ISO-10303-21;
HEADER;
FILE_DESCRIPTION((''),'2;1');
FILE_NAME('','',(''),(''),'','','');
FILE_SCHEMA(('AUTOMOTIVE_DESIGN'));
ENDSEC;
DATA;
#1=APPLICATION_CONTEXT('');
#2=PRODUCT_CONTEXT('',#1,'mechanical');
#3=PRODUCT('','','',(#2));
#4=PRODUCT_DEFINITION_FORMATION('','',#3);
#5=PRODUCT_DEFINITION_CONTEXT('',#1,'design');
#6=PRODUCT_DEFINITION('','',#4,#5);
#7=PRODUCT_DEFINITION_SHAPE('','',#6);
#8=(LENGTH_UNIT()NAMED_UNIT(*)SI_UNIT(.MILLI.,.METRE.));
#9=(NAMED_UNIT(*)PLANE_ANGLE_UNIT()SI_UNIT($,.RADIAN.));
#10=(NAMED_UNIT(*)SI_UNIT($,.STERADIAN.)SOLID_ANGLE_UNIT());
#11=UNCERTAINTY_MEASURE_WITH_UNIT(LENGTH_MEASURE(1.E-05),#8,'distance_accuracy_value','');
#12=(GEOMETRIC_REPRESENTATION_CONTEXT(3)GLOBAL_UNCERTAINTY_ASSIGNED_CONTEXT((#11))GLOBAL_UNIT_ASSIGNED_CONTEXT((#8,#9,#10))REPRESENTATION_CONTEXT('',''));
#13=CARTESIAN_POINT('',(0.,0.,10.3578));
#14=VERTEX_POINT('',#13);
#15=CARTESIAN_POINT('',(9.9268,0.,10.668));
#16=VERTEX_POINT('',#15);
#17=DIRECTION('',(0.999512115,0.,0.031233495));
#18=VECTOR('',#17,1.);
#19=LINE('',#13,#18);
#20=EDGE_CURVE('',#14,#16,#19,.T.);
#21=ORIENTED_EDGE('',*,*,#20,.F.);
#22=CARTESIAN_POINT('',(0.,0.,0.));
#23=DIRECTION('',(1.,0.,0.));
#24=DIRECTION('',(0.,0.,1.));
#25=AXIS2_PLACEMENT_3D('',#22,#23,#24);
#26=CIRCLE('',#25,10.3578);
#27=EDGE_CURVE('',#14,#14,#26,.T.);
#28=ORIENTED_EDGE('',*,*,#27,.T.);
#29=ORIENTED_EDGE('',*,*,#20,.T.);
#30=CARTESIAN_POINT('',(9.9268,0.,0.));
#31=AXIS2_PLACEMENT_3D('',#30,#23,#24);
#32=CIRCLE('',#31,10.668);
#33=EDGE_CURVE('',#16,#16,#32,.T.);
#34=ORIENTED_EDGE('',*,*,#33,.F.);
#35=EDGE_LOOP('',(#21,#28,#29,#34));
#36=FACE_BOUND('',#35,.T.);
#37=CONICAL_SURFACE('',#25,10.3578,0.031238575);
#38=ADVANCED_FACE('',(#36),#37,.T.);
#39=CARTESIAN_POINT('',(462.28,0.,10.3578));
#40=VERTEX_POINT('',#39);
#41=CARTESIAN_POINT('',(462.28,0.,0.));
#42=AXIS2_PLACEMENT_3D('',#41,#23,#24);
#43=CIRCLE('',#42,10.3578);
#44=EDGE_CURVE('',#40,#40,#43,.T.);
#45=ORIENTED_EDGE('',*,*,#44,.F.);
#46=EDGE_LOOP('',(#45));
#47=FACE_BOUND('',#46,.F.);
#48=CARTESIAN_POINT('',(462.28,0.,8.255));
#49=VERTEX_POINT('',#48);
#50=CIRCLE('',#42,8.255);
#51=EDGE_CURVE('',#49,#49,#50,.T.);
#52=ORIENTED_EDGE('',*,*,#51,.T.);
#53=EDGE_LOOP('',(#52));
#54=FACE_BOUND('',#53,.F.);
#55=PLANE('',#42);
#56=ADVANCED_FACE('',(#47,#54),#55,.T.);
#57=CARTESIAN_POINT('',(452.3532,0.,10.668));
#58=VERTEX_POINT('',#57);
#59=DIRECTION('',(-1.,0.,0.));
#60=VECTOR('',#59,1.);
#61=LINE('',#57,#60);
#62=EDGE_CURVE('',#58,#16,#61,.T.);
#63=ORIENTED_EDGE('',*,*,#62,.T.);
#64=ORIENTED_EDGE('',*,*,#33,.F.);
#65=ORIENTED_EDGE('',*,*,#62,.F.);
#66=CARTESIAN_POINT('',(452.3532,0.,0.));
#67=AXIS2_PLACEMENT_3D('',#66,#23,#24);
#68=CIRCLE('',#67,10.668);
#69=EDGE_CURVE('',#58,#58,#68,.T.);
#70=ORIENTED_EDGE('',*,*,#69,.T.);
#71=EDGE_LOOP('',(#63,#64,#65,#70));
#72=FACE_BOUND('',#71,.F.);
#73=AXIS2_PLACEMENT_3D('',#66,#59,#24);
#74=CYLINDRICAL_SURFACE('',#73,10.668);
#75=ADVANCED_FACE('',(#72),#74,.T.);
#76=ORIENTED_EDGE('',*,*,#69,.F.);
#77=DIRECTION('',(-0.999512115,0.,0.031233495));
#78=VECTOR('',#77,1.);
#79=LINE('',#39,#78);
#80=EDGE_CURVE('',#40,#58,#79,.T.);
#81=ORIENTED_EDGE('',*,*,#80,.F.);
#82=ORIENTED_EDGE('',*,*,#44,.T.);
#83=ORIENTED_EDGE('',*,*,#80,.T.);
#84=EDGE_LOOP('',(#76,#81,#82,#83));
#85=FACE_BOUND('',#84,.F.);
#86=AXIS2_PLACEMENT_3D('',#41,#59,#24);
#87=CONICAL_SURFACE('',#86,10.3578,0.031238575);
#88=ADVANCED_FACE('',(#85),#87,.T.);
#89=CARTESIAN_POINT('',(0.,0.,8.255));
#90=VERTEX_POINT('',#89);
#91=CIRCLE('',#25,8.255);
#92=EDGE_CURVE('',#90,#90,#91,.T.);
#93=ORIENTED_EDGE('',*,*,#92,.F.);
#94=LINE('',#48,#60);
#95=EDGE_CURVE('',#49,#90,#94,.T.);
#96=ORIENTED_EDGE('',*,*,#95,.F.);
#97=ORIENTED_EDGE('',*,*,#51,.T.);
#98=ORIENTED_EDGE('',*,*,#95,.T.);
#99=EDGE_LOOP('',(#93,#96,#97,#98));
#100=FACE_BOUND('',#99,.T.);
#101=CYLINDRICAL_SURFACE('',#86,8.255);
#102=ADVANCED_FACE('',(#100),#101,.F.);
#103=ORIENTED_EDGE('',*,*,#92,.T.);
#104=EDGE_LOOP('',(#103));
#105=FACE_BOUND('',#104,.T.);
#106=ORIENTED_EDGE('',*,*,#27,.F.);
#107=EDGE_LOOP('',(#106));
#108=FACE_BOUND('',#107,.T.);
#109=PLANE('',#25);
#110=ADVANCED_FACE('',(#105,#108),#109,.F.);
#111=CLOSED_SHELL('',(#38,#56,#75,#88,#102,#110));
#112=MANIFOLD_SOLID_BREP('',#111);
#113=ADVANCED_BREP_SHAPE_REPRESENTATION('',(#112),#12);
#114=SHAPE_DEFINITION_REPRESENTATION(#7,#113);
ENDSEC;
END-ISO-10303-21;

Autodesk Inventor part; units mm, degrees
ref_plane "YZ Plane" through (0, 0, 0) normal (1, 0, 0) x (0, 1, 0)
ref_plane "XZ Plane" through (0, 0, 0) normal (0, 1, 0) x (-1, 0, 0)
ref_plane "XY Plane" through (0, 0, 0) normal (0, 0, 1) x (1, 0, 0)
sketch "Sketch1" plane through (0, 0, 0) normal (0, 1, 0) x (-1, 0, 0)
  line L0 (0, 0) -> (-462.28, 0)
  line L1 (-462.28, 0) -> (-462.28, 8.255) construction
  line L2 (-462.28, 8.255) -> (-462.28, 10.3578)
  line L3 (-462.28, 10.3578) -> (-452.3532, 10.668)
  line L4 (-452.3532, 10.668) -> (-9.9268, 10.668)
  line L5 (-231.14, 0) -> (-231.14, 10.668) construction
  line L6 (-462.28, 8.255) -> (0, 8.255)
  line L7 (0, 0) -> (0, 8.255) construction
  line L8 (0, 8.255) -> (0, 10.3578)
  line L9 (0, 10.3578) -> (-9.9268, 10.668)
  line L10 (-448.724, 10.7814) -> (-448.724, 0) construction
  line L11 (-13.556, 10.7814) -> (-13.556, 0) construction
  line L12 (-452.3532, 10.668) -> (-448.724, 10.7814) construction
  line L13 (-452.3532, 10.668) -> (-452.3532, 0) construction
  line L14 (-9.9268, 10.668) -> (-13.556, 10.7814) construction
  line L15 (-9.9268, 10.668) -> (-9.9268, 0) construction
  dimension "d0" = 21.336
  dimension "d1" = 1.79
  dimension "d2" = 16.51
  dimension "d3" = 462.28
  dimension "d4" = 13.556
  dimension "d5" = 21.5628
revolve "Revolution1" add sketch "Sketch1" angle 360 about axis through (0, 0, 0) along (1, 0, 0)
thread "Thread1" size "1/2" designation "1/2 - 14 NPT" standard "NPT" full length
thread "Thread2" size "1/2" designation "1/2 - 14 NPT" standard "NPT" full length
equation "\"d0\" = OD"
equation "\"d2\" = ID"
equation "\"d3\" = L"
equation "\"d4\" = L2"
equation "\"d5\" = D2"
equation "\"OD\" = 21.336"
equation "\"t\" = 2.413"
equation "\"L\" = PL"
equation "\"L4\" = 19.8501"
equation "\"ID\" = 16.51"
equation "\"PL\" = 462.28"
equation "\"D2\" = 21.56282"
equation "\"L2\" = 13.55598"
equation "\"Size_Designation\" = 1.2345"
equation "\"PLmin\" = 2 * L2"
properties material "Steel, Wrought"
